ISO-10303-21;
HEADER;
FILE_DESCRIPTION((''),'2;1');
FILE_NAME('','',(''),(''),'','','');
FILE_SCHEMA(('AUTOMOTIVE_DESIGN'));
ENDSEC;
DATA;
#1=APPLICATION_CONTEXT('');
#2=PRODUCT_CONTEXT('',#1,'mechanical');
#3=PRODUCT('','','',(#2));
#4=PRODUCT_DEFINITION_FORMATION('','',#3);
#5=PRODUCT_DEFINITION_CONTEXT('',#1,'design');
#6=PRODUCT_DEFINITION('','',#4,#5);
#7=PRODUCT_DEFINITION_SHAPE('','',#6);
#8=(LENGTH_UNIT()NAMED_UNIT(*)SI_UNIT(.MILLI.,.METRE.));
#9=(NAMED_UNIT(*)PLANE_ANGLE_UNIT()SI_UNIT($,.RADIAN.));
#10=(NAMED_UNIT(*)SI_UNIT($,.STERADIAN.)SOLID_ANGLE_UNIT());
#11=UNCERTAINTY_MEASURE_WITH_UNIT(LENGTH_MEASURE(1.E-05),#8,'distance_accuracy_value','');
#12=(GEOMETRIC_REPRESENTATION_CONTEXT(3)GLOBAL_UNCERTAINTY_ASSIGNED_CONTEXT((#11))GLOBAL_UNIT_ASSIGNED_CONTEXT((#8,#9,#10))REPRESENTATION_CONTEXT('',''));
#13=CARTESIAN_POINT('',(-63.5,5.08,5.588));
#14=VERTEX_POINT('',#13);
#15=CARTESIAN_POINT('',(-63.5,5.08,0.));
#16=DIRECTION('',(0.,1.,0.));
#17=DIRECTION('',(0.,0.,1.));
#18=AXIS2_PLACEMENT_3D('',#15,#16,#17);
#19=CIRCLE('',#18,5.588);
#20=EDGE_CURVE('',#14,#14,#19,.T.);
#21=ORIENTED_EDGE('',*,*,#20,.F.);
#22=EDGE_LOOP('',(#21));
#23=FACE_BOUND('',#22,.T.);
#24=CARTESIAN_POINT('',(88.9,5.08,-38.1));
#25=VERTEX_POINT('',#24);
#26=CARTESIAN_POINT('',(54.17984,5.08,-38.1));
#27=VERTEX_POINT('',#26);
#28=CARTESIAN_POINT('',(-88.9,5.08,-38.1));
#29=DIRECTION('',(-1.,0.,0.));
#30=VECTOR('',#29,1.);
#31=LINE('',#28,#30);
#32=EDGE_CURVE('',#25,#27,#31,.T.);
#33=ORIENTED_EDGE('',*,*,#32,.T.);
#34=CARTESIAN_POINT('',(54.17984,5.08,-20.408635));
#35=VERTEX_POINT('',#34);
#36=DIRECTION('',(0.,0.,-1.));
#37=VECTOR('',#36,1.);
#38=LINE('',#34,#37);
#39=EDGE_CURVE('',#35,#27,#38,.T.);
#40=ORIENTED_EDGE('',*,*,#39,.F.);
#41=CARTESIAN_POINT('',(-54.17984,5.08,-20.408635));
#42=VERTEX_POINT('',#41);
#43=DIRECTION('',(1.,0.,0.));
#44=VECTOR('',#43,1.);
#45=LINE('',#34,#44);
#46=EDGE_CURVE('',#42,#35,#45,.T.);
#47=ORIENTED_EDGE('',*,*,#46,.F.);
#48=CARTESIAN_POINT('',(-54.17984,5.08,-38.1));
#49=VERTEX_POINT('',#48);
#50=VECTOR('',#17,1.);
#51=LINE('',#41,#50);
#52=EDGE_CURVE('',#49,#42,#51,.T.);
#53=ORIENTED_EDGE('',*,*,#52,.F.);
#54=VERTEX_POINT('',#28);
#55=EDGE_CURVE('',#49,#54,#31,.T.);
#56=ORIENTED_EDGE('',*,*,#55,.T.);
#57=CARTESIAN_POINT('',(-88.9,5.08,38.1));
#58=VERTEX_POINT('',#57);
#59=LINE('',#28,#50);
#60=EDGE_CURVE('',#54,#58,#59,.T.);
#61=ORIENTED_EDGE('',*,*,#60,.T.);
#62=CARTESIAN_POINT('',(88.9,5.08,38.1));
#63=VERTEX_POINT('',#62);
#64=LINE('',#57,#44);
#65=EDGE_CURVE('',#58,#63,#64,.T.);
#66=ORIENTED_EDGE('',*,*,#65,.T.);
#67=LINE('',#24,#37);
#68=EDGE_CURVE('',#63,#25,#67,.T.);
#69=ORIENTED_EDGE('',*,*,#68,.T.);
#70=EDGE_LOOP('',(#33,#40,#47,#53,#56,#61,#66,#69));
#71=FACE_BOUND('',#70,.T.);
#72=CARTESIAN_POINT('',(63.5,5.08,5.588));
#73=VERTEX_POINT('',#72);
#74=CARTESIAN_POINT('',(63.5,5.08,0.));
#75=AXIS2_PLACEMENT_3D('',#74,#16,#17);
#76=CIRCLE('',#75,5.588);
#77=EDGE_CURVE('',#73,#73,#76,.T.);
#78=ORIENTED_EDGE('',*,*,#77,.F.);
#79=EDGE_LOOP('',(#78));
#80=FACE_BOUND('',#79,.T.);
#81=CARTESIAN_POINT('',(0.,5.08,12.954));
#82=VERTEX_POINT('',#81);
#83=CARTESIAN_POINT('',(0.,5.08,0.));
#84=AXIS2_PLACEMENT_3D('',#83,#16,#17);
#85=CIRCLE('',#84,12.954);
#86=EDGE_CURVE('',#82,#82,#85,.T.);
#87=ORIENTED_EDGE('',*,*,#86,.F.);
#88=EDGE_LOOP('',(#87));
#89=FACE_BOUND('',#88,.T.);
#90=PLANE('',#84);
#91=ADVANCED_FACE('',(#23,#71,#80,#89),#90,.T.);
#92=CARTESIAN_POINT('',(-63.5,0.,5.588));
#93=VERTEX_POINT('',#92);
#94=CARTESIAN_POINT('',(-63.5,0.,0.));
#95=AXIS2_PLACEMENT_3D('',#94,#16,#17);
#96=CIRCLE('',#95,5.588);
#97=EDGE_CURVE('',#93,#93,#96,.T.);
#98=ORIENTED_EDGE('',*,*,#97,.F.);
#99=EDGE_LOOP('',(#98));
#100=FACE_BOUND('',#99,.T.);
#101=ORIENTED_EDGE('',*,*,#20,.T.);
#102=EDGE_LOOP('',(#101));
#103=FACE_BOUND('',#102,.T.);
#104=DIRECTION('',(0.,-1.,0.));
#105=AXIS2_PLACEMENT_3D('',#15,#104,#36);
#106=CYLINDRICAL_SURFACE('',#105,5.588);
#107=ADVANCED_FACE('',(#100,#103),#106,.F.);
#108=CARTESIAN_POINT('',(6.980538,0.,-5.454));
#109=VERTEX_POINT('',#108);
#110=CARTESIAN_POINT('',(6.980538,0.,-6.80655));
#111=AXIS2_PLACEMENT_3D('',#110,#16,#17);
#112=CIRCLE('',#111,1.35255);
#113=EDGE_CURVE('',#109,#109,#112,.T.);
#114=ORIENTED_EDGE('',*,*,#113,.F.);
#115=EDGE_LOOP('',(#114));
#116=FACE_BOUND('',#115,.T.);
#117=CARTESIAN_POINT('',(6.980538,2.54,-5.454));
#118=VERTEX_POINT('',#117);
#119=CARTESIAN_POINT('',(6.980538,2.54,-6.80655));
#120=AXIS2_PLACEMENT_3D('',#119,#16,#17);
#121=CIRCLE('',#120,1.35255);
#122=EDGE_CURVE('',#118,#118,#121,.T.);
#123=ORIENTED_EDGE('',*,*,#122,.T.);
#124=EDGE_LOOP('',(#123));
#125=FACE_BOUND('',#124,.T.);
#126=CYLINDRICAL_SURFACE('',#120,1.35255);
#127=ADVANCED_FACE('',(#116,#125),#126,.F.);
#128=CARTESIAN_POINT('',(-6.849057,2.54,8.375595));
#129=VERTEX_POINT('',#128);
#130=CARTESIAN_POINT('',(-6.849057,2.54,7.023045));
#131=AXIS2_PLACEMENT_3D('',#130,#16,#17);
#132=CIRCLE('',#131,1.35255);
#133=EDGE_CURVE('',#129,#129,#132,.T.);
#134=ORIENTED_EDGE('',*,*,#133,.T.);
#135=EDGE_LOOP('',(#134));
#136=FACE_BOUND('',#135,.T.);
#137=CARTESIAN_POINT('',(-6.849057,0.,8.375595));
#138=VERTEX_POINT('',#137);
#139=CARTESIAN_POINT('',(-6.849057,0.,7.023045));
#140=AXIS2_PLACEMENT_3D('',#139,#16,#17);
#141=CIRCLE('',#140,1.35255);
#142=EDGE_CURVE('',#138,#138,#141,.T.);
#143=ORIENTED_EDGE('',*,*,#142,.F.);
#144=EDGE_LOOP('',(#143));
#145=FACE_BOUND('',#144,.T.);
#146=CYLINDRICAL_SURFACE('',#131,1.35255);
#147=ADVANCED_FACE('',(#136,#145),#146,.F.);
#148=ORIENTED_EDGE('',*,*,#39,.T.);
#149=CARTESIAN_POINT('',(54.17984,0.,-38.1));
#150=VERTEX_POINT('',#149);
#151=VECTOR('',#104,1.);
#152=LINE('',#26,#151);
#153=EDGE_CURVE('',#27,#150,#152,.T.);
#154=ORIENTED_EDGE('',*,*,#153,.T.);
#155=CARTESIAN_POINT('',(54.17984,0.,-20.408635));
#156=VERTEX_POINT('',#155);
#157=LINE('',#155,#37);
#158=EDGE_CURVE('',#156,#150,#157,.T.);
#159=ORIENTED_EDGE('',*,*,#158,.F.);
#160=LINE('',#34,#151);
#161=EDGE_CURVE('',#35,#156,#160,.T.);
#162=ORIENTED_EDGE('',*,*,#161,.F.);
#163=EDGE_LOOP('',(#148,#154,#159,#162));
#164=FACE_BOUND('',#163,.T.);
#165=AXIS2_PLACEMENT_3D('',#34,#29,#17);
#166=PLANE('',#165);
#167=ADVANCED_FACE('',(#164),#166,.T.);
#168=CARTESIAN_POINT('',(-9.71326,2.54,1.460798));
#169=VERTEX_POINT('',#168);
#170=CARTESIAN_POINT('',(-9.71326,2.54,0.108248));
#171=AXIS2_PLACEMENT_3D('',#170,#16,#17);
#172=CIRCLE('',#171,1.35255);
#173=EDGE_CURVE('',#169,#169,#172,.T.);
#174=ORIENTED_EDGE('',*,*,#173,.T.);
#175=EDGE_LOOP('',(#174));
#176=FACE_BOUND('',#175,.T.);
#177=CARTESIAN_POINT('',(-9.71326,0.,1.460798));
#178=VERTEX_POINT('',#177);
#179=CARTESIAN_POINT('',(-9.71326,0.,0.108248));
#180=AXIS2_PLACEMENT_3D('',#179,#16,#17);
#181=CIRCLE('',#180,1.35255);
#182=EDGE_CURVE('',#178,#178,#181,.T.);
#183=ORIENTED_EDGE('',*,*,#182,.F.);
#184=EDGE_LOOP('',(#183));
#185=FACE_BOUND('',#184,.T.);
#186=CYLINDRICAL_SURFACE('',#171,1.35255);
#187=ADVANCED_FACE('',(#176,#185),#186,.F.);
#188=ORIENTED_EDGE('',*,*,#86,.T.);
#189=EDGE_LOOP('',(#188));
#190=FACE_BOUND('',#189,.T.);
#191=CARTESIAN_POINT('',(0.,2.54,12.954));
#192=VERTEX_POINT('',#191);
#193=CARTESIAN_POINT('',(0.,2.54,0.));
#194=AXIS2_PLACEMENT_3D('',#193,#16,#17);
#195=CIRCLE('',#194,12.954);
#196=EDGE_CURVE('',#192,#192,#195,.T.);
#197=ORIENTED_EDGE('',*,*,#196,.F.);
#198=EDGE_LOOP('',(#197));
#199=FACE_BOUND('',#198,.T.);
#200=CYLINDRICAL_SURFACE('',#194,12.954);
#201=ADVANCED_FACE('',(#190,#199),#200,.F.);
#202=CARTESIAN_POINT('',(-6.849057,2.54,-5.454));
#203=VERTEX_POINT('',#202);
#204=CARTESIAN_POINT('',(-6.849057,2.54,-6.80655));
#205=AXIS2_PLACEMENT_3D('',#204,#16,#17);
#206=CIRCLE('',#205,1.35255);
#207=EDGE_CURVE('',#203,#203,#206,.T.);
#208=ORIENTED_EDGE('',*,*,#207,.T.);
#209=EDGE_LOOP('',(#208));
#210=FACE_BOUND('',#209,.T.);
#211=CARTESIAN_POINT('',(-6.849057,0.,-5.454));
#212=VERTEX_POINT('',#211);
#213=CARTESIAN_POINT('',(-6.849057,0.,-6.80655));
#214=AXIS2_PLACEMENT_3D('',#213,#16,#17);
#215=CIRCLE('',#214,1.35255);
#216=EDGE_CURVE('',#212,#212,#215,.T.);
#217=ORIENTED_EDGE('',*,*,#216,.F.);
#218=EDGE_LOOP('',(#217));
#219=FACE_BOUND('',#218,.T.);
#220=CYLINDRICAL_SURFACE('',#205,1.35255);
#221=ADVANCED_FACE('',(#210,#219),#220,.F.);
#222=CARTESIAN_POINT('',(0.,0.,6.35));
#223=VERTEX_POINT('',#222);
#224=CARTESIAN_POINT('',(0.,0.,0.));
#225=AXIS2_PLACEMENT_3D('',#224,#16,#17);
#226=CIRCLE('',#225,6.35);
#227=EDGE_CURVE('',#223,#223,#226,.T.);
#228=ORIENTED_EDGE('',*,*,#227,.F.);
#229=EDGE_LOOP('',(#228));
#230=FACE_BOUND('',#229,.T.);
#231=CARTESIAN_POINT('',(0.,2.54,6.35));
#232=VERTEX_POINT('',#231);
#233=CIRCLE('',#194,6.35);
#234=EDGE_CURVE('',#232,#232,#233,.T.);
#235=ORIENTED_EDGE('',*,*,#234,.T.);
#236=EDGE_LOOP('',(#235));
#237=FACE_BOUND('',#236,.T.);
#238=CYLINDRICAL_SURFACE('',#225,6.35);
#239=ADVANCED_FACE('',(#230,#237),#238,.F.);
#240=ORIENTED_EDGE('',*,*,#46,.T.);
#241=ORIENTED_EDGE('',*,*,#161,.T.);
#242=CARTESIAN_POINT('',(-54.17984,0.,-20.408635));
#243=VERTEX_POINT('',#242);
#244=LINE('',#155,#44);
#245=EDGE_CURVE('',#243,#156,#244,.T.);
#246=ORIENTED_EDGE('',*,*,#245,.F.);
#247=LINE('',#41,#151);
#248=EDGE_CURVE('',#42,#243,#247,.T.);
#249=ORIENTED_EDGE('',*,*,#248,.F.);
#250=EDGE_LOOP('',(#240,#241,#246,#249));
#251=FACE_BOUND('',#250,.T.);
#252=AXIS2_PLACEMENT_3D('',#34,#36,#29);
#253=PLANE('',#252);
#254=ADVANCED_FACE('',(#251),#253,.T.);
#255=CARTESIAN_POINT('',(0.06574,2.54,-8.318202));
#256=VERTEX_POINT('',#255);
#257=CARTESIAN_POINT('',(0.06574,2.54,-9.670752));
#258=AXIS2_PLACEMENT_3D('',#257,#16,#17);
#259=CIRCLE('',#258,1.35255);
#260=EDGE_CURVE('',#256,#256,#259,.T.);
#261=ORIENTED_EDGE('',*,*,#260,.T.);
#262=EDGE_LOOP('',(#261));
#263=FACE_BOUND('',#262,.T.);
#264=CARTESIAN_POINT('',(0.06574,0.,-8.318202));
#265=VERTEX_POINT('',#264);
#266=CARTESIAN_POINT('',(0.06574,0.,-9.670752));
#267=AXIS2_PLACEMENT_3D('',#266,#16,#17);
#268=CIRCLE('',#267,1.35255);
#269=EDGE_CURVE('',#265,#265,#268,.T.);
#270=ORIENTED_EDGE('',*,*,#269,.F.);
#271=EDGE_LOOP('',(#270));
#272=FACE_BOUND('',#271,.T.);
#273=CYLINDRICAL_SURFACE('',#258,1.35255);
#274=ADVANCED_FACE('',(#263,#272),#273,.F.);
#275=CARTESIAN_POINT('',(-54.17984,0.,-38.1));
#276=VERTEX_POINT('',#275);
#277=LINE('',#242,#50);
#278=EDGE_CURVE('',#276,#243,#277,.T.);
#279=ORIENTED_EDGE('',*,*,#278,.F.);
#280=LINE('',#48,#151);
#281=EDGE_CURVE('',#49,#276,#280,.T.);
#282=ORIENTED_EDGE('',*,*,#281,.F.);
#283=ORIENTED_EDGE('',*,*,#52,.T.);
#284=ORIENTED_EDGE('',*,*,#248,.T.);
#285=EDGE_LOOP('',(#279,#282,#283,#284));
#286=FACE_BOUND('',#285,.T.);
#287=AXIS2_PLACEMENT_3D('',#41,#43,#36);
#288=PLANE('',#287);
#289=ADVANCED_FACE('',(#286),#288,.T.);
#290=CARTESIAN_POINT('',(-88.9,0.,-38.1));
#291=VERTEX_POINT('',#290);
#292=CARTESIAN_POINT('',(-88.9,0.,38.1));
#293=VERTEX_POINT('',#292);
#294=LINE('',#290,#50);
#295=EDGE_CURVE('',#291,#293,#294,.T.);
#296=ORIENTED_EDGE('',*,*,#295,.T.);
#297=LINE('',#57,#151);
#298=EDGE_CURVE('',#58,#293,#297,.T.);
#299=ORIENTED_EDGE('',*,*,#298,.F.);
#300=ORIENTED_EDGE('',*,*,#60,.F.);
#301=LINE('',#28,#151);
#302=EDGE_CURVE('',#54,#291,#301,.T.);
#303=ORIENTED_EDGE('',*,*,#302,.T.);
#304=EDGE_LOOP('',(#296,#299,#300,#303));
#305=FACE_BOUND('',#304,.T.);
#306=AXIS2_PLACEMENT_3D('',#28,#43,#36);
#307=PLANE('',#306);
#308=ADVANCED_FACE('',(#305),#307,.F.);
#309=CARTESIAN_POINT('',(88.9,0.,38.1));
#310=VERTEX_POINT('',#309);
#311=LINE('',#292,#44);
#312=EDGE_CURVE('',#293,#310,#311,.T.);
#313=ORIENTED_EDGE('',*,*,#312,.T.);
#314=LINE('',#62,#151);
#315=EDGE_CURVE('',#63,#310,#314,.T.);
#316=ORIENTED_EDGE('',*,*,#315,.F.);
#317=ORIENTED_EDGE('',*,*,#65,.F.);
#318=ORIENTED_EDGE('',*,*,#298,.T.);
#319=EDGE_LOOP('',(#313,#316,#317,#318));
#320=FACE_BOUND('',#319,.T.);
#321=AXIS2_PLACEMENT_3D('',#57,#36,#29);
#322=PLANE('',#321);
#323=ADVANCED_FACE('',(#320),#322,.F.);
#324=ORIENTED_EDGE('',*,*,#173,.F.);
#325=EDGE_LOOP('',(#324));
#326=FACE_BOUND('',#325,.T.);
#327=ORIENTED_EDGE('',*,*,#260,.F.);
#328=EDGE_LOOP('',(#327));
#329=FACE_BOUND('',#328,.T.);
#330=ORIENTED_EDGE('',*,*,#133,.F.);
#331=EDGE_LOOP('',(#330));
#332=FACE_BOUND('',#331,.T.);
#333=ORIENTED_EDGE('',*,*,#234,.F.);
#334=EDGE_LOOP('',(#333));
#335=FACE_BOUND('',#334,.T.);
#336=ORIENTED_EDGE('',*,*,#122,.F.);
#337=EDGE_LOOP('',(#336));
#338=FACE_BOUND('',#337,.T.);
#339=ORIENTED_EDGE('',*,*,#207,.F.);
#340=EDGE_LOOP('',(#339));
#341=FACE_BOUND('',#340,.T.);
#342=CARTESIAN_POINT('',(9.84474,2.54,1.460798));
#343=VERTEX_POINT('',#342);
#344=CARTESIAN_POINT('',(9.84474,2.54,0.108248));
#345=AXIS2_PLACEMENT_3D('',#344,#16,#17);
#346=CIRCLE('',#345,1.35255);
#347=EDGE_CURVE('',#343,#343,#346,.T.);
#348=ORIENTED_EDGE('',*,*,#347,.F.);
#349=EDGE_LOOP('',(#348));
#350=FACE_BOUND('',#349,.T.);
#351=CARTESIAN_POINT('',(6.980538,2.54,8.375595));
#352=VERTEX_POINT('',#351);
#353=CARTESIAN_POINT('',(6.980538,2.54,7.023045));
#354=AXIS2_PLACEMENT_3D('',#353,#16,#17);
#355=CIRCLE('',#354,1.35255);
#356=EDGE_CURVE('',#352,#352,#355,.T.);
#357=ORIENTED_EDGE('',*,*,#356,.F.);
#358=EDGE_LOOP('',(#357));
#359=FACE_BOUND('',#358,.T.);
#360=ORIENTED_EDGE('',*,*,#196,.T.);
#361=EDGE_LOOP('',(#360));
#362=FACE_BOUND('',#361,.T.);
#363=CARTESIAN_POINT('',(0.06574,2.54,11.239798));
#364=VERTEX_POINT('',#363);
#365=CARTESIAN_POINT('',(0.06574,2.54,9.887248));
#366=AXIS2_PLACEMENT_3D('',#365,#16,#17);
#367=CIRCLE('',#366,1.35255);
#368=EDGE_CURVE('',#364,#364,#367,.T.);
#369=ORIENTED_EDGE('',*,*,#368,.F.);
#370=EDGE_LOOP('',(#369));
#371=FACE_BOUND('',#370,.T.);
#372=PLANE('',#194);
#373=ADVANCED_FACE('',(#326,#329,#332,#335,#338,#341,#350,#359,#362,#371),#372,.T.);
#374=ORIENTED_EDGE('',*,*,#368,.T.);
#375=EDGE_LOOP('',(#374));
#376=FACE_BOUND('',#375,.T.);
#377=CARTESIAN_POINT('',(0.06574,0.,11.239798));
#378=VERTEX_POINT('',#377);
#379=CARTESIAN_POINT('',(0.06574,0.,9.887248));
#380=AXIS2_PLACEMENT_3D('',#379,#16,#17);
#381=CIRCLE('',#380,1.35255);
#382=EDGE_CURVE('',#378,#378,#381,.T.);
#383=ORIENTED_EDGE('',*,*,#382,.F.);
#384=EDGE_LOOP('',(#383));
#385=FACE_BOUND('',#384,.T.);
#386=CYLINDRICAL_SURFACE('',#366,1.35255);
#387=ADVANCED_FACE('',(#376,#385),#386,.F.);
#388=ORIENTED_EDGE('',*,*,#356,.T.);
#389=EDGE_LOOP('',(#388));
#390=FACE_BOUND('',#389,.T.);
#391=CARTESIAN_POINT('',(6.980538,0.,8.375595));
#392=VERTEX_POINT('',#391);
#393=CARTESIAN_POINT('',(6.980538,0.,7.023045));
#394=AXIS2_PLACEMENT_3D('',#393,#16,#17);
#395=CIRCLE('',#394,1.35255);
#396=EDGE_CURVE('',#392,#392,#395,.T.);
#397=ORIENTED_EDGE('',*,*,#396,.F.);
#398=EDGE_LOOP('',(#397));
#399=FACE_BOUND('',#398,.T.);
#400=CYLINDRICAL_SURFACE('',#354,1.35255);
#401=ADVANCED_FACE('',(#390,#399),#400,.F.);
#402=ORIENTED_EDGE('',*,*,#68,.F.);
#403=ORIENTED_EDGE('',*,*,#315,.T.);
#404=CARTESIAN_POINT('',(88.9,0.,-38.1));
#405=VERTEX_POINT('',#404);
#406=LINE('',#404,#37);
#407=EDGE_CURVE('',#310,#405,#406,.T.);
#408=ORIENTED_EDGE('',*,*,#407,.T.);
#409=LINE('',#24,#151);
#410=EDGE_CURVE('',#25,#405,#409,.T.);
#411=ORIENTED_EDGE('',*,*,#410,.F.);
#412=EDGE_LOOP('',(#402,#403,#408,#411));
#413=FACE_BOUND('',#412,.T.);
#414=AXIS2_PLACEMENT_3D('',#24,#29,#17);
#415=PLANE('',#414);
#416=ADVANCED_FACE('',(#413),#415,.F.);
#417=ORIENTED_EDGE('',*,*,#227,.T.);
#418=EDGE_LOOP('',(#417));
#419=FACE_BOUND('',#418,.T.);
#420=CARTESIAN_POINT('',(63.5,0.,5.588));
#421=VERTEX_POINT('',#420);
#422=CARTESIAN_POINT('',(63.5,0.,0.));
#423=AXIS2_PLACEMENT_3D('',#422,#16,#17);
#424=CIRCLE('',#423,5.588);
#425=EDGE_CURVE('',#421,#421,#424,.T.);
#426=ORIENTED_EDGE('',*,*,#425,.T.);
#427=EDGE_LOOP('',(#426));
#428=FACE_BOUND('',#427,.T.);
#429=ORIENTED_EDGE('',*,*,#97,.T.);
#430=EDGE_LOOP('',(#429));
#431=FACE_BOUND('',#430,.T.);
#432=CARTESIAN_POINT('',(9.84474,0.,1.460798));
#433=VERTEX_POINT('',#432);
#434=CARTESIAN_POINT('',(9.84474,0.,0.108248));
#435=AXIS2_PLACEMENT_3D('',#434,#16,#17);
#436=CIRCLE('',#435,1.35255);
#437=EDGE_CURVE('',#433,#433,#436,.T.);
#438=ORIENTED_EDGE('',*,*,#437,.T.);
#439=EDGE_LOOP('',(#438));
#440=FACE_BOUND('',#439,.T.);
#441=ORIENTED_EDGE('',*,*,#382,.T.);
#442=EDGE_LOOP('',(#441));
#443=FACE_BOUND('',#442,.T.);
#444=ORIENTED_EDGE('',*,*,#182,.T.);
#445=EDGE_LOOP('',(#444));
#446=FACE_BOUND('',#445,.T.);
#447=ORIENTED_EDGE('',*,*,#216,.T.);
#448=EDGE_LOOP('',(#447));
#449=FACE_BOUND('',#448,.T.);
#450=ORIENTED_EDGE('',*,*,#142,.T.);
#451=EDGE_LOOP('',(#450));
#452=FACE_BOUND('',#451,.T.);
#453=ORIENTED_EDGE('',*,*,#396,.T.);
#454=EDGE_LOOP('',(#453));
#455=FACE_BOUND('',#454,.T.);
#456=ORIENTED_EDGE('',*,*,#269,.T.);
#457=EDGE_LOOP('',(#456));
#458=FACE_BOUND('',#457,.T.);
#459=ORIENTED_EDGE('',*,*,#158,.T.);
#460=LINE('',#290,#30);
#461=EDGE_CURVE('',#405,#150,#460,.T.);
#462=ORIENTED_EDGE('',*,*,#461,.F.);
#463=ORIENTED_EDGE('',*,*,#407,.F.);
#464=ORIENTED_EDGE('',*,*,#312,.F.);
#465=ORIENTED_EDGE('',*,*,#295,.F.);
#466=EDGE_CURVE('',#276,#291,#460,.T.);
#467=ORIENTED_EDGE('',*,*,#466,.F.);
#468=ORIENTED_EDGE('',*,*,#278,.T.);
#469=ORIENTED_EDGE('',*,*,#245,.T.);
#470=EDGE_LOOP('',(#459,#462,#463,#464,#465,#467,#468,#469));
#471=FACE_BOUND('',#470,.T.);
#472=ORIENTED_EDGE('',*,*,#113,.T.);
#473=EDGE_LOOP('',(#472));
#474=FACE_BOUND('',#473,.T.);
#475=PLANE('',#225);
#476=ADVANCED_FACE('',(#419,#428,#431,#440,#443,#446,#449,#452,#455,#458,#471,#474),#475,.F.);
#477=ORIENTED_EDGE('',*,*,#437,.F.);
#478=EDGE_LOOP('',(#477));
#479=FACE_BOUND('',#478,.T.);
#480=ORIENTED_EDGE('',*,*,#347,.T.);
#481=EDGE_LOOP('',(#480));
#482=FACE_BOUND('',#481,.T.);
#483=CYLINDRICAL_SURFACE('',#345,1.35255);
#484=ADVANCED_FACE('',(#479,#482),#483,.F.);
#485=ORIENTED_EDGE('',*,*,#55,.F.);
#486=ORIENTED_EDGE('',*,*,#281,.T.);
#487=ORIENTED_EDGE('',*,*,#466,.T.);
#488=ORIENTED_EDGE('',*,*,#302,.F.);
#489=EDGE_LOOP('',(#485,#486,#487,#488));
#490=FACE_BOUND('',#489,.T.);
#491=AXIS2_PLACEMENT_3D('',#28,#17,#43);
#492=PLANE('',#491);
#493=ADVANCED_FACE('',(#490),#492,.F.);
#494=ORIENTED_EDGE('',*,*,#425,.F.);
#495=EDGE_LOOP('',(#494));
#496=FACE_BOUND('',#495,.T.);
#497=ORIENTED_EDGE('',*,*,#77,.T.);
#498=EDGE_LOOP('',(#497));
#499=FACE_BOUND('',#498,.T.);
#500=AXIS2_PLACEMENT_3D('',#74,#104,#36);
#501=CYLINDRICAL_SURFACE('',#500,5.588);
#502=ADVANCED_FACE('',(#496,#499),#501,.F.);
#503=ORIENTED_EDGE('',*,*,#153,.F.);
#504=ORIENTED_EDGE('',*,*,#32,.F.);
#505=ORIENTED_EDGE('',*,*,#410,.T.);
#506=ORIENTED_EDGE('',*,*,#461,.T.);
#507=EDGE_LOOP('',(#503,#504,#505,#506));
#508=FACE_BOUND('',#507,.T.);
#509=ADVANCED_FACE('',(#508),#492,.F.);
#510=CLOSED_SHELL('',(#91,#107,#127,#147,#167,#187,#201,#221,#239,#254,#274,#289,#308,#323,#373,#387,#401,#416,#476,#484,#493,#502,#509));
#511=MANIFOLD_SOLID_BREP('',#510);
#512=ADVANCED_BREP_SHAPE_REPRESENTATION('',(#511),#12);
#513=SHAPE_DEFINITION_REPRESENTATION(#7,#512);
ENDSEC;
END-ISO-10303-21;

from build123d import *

# Parameters (mm, degrees)
SKETCH1_W             = 177.8
SKETCH1_H             = 76.2
SKETCH1_R             = 5.588
BOSS_EXTRUDE1_DEPTH   = 5.08
SKETCH2_R             = 12.954
SKETCH2_R_2           = 0.712100007
CUT_EXTRUDE1_DEPTH    = 2.54
SKETCH4_R             = 6.35
CUT_EXTRUDE2_DEPTH    = 6.08
F_6_32_TAPPED_HOLE2_D = 2.7051
SKETCH9_W             = 108.359679772
SKETCH9_H             = 17.691365346
CUT_EXTRUDE7_DEPTH    = 5.08


with BuildPart() as part:
    # Sketch1 → Boss-Extrude1 (new body)
    with BuildSketch(Plane(origin=(0, 0, 0), x_dir=(1, 0, 0), z_dir=(0, 1, 0))):
        Rectangle(SKETCH1_W, SKETCH1_H)
        with Locations((-63.5, 0)):
            Circle(SKETCH1_R, mode=Mode.SUBTRACT)
        with Locations((63.5, 0)):
            Circle(SKETCH1_R, mode=Mode.SUBTRACT)
    extrude(amount=BOSS_EXTRUDE1_DEPTH)

    # Sketch2 → Cut-Extrude1 (cut)
    with BuildSketch(Plane(origin=(0, 5.08, 0), x_dir=(1, 0, 0), z_dir=(0, 1, 0))):
        Circle(SKETCH2_R)
        with Locations((6.980537549, -7.023044726)):
            Circle(SKETCH2_R_2, mode=Mode.SUBTRACT)
        with Locations((9.844740335, -0.108247513)):
            Circle(SKETCH2_R_2, mode=Mode.SUBTRACT)
        with Locations((-6.849056878, -7.023044726)):
            Circle(SKETCH2_R_2, mode=Mode.SUBTRACT)
        with Locations((0.065740335, -9.887247513)):
            Circle(SKETCH2_R_2, mode=Mode.SUBTRACT)
        with Locations((6.980537549, 6.8065497)):
            Circle(SKETCH2_R_2, mode=Mode.SUBTRACT)
        with Locations((0.065740335, 9.670752487)):
            Circle(SKETCH2_R_2, mode=Mode.SUBTRACT)
        with Locations((-6.849056878, 6.8065497)):
            Circle(SKETCH2_R_2, mode=Mode.SUBTRACT)
        with Locations((-9.713259665, -0.108247513)):
            Circle(SKETCH2_R_2, mode=Mode.SUBTRACT)
    extrude(amount=-CUT_EXTRUDE1_DEPTH, mode=Mode.SUBTRACT)

    # Sketch4 → Cut-Extrude2 (cut, through all)
    with BuildSketch(Plane(origin=(0, 5.08, 0), x_dir=(1, 0, 0), z_dir=(0, 1, 0))):
        Circle(SKETCH4_R)
    extrude(amount=-CUT_EXTRUDE2_DEPTH, mode=Mode.SUBTRACT)

    # #6-32 Tapped Hole2 (through all)
    with Locations(Plane(origin=(0, 2.54, 0), x_dir=(1, 0, 0), z_dir=(0, 1, 0))):
        with Locations((6.980537549, 6.8065497), (9.844740335, -0.108247513), (6.980537549, -7.023044726), (0.065740335, 9.670752487), (-6.849056878, 6.8065497), (-9.713259665, -0.108247513), (-6.849056878, -7.023044726), (0.065740335, -9.887247513)):
            Hole(F_6_32_TAPPED_HOLE2_D / 2)

    # Sketch9 → Cut-Extrude7 (cut)
    with BuildSketch(Plane(origin=(0, 0, 0), x_dir=(1, 0, 0), z_dir=(0, 1, 0))):
        with Locations((0, 29.254317327)):
            Rectangle(SKETCH9_W, SKETCH9_H)
    extrude(amount=CUT_EXTRUDE7_DEPTH, mode=Mode.SUBTRACT)


solid = part.part
